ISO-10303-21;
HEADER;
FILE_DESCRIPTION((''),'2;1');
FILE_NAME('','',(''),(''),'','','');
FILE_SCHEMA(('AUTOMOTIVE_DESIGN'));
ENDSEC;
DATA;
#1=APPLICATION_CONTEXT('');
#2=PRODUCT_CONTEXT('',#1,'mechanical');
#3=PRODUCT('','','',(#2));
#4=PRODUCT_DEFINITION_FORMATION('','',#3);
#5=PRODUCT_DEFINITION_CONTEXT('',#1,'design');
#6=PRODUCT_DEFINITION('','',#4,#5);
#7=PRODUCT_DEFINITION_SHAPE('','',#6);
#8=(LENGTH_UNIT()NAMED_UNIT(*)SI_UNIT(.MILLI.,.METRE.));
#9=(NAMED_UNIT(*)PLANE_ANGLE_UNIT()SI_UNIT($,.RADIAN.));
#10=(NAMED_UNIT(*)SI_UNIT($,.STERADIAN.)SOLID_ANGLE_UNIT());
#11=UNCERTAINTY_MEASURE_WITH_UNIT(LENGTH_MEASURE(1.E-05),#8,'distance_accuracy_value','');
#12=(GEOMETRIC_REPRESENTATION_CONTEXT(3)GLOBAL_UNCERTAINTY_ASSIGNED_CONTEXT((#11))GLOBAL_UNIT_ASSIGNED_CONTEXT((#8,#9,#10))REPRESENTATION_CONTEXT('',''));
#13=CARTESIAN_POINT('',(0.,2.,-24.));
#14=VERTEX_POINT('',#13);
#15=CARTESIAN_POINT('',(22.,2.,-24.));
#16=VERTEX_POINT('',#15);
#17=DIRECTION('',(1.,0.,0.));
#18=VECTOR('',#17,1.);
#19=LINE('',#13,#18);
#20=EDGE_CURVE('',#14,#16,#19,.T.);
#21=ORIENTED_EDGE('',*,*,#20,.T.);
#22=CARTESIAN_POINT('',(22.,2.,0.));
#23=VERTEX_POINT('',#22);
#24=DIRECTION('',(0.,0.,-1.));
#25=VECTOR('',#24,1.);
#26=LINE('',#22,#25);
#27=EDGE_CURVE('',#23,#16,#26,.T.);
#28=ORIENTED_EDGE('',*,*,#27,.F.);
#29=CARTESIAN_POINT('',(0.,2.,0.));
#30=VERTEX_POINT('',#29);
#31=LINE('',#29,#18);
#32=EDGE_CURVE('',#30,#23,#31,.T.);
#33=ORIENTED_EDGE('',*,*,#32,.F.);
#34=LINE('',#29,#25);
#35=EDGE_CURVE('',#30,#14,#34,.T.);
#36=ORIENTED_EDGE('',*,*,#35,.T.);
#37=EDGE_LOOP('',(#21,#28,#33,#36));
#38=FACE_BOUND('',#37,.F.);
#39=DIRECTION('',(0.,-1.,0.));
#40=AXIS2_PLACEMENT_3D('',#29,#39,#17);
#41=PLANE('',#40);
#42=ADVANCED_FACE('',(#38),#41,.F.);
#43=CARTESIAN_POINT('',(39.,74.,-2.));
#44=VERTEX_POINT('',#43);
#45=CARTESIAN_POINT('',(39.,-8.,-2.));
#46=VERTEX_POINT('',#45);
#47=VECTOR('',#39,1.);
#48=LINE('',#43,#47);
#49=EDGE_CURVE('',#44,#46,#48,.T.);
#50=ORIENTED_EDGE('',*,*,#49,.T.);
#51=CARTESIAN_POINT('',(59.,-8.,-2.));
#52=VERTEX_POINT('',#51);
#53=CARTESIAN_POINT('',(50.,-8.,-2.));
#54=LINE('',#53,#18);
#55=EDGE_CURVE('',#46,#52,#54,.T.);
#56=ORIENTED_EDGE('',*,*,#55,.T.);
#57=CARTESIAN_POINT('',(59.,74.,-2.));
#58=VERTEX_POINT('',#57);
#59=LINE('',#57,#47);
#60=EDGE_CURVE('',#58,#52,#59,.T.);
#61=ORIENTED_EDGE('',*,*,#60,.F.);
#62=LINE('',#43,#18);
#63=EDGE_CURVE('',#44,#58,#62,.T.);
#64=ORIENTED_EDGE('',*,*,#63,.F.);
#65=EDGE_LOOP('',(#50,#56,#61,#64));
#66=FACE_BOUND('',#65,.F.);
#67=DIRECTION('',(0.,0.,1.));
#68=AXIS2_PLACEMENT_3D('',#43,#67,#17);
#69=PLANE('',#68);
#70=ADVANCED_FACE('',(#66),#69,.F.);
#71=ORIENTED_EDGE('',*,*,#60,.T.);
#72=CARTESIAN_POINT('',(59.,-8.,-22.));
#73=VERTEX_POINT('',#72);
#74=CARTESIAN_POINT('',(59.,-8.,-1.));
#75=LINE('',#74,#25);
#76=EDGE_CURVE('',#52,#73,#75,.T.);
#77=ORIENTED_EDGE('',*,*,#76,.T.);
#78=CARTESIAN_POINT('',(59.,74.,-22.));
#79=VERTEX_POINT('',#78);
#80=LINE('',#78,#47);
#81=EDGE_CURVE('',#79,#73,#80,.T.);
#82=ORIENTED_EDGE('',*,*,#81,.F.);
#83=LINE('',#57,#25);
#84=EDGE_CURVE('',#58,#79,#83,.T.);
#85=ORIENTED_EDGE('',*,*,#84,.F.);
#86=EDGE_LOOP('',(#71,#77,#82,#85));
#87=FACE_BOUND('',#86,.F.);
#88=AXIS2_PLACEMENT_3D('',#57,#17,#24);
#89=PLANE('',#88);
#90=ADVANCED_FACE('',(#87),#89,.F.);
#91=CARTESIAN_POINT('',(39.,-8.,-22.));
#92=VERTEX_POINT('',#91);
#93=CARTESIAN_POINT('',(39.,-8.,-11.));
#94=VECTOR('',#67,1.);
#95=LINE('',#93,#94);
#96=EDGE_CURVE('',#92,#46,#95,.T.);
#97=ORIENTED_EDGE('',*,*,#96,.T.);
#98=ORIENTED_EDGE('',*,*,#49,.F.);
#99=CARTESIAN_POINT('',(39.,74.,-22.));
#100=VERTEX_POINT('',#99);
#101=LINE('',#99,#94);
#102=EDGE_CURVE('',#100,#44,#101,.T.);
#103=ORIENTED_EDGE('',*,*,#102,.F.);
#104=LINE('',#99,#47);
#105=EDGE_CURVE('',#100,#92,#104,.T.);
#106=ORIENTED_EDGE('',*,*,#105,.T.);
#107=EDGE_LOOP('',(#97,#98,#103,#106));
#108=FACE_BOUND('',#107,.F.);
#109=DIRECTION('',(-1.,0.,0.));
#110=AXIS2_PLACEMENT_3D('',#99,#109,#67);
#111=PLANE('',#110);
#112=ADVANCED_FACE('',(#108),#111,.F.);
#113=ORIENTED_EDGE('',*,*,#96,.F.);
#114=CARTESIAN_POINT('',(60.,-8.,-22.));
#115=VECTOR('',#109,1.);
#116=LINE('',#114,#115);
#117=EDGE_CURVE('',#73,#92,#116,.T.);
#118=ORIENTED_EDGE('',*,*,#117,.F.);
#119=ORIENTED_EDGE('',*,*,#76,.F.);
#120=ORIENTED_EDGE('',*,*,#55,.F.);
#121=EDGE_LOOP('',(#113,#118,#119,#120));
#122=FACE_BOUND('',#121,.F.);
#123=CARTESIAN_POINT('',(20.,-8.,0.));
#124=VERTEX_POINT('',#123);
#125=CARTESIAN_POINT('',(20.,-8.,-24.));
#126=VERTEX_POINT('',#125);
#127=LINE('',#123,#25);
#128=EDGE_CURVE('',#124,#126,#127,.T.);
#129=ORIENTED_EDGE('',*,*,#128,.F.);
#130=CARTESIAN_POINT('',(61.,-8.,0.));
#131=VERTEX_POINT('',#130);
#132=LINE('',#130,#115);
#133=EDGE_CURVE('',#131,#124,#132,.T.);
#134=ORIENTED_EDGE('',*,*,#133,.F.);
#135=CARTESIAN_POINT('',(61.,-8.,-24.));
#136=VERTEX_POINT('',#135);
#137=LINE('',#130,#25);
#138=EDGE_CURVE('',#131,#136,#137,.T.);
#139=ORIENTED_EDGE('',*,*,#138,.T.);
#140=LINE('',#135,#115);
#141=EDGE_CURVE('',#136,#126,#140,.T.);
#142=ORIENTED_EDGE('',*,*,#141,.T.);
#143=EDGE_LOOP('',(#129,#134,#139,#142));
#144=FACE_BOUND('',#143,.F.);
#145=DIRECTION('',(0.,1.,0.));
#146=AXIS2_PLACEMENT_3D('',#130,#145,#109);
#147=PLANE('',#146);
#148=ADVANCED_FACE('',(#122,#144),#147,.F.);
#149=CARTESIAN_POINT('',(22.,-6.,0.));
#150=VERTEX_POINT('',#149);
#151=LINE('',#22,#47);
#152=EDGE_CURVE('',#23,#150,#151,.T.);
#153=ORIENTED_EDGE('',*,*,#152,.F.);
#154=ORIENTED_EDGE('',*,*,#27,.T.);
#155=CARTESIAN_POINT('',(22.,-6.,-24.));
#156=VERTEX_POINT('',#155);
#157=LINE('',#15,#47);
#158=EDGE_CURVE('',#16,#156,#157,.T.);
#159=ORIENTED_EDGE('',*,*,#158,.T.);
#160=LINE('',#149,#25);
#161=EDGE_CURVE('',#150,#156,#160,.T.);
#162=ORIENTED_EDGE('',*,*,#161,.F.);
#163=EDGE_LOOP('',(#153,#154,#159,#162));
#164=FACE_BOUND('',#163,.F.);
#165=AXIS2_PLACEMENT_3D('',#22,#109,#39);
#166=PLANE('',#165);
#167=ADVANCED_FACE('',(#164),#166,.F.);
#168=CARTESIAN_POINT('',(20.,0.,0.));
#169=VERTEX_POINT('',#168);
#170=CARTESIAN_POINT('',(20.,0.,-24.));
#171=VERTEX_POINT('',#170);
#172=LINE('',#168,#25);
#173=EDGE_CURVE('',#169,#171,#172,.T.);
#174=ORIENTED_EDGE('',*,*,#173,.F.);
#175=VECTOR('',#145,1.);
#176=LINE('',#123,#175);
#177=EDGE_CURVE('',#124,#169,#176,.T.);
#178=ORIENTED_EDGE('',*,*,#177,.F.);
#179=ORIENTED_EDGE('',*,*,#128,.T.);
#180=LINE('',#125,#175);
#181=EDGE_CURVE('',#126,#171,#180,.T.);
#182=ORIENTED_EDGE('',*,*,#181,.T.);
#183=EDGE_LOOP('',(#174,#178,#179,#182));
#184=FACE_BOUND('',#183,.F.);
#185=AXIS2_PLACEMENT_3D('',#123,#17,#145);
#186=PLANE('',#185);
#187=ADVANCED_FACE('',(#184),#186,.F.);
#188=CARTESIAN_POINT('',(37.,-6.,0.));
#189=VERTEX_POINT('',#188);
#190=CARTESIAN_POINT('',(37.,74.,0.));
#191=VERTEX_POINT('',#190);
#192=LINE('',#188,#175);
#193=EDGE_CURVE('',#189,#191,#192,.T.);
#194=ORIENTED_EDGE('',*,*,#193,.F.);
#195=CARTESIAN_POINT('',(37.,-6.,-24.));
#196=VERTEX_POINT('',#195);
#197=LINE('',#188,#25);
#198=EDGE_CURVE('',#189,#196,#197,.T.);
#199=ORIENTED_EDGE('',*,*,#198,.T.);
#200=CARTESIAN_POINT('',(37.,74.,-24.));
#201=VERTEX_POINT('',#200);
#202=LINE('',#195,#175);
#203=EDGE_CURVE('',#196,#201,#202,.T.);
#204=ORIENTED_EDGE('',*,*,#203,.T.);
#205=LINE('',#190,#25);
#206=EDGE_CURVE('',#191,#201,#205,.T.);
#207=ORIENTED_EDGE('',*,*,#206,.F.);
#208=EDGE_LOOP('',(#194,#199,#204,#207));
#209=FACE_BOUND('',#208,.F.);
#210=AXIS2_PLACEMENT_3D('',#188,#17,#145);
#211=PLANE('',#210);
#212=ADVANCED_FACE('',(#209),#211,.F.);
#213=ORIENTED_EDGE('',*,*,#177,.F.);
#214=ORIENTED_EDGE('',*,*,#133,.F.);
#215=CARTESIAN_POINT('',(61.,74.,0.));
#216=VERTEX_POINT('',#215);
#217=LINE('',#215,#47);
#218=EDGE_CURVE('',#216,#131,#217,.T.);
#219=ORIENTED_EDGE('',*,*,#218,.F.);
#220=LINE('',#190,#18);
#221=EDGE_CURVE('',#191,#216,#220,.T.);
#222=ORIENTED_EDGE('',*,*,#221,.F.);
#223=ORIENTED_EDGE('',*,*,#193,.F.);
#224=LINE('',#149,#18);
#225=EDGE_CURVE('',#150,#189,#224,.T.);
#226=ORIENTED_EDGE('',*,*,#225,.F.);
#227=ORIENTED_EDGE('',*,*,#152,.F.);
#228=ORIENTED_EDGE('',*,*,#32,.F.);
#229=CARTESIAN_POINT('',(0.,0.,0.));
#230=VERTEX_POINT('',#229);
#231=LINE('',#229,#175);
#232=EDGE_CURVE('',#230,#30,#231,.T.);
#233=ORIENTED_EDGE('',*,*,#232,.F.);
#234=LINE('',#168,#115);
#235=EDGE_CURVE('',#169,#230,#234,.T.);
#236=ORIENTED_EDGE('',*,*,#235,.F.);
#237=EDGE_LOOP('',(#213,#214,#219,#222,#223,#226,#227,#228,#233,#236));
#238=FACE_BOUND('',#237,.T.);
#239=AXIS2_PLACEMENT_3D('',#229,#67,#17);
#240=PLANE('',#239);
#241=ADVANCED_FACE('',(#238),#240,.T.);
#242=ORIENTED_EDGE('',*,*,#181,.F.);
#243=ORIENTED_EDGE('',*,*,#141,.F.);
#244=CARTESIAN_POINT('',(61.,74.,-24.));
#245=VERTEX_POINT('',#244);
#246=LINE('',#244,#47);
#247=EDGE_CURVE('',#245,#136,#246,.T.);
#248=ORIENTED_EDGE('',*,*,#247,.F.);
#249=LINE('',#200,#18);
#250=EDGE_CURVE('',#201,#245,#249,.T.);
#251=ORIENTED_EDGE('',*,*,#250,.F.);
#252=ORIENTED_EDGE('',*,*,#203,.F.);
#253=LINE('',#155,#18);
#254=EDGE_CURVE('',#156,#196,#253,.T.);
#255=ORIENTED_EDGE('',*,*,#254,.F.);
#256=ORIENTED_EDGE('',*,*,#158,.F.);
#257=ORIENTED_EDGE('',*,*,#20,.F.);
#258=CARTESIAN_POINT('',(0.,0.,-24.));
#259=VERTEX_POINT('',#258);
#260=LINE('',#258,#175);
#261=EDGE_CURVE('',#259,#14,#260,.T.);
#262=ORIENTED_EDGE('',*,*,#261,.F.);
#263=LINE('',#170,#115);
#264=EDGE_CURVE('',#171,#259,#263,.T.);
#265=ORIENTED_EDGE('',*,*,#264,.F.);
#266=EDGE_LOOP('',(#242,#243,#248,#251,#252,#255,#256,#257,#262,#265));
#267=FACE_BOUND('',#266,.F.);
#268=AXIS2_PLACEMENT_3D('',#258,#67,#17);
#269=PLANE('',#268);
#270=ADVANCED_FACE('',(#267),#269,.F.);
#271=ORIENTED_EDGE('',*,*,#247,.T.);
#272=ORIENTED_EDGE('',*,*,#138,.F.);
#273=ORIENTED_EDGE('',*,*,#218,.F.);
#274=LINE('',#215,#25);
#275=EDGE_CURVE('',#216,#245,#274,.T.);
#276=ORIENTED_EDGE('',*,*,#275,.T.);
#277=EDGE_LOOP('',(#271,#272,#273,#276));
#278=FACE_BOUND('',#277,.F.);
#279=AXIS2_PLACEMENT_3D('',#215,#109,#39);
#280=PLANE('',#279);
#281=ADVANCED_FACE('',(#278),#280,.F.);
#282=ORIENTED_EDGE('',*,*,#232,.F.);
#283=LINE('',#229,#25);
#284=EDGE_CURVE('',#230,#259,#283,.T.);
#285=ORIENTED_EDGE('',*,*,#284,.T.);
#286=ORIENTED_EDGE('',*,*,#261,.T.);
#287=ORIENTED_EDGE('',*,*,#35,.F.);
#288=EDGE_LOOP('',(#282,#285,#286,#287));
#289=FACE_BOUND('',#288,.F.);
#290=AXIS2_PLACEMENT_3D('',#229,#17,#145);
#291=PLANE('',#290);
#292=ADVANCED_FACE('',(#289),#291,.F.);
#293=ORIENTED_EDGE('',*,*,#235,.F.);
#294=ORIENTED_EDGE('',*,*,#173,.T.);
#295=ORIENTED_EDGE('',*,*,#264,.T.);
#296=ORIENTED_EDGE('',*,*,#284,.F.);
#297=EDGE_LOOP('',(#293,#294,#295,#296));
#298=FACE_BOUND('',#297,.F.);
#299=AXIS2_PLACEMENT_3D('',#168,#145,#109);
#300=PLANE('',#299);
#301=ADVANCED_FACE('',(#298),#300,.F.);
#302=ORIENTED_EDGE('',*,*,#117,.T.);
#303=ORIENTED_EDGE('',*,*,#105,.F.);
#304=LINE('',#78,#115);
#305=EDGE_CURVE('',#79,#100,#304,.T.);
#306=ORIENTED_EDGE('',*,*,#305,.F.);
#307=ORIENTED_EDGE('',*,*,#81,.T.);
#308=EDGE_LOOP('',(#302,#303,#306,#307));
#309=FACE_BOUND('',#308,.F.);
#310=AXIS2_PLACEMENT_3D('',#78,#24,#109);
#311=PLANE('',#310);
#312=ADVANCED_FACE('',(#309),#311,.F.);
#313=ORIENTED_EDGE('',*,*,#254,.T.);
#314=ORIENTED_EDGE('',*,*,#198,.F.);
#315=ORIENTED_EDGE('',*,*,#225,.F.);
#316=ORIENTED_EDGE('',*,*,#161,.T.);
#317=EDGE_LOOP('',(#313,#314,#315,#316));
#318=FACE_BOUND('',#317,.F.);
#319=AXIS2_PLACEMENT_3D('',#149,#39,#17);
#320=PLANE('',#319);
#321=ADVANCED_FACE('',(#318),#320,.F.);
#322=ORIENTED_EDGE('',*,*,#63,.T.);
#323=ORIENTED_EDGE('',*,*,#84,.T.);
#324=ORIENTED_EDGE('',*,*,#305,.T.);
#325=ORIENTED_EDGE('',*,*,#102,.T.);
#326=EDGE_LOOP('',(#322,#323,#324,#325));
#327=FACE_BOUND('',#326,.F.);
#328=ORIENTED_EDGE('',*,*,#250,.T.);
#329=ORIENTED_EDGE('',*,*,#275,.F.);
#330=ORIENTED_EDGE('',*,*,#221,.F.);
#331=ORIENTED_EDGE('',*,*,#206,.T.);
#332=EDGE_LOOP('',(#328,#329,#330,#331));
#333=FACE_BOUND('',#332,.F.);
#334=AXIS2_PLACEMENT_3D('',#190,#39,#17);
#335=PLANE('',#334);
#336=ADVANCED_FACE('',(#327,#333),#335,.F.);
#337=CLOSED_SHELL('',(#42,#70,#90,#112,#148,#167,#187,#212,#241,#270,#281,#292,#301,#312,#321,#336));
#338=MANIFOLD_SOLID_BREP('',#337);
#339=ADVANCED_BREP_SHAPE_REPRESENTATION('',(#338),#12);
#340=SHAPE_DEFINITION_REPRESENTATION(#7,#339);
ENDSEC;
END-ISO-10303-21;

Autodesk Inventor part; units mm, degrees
ref_plane "YZ Plane" through (0, 0, 0) normal (1, 0, 0) x (0, 1, 0)
ref_plane "XZ Plane" through (0, 0, 0) normal (0, 1, 0) x (-1, 0, 0)
ref_plane "XY Plane" through (0, 0, 0) normal (0, 0, 1) x (1, 0, 0)
sketch "Skizze4" plane through (0, 0, 0) normal (0, 0, 1) x (1, 0, 0)
  line L0 (0, 0) -> (0, 2)
  line L1 (0, 2) -> (22, 2)
  line L2 (22, 2) -> (22, -6)
  line L3 (22, -6) -> (37, -6)
  line L4 (37, -6) -> (37, 74)
  line L5 (37, 74) -> (61, 74)
  line L6 (61, 74) -> (61, -8)
  line L7 (61, 74) -> (143, 74) construction
  line L8 (61, -8) -> (20, -8)
  line L9 (20, -8) -> (20, 0)
  line L10 (20, 0) -> (0, 0)
  dimension "d2" = 2
  dimension "d3" = 22
  dimension "d4" = 8
  dimension "d5" = 15
  dimension "d6" = 80
  dimension "d7" = 24
  dimension "d8" = 82
  dimension "d9" = 90
  dimension "d10" = 41
extrude "Extrusion3" add sketch "Skizze4" against normal blind 24
sketch "Skizze8" plane through (37, 74, 0) normal (0, 1, 0) x (1, 0, 0)
  line L0 (2, 2) -> (22, 2)
  line L1 (22, 2) -> (22, 22)
  line L2 (22, 22) -> (2, 22)
  line L3 (2, 22) -> (2, 2)
  point P0 (-37, 0)
  dimension "d23" = 20
  dimension "d24" = 20
extrude "Extrusion5" cut sketch "Skizze8" against normal blind 200
sketch "Sketch9" plane through (0, 2, 0) normal (0, 1, 0) x (1, 0, 0)
  point P0 (0, 0)
properties part number "flexibler_standfuß_v0.3"
